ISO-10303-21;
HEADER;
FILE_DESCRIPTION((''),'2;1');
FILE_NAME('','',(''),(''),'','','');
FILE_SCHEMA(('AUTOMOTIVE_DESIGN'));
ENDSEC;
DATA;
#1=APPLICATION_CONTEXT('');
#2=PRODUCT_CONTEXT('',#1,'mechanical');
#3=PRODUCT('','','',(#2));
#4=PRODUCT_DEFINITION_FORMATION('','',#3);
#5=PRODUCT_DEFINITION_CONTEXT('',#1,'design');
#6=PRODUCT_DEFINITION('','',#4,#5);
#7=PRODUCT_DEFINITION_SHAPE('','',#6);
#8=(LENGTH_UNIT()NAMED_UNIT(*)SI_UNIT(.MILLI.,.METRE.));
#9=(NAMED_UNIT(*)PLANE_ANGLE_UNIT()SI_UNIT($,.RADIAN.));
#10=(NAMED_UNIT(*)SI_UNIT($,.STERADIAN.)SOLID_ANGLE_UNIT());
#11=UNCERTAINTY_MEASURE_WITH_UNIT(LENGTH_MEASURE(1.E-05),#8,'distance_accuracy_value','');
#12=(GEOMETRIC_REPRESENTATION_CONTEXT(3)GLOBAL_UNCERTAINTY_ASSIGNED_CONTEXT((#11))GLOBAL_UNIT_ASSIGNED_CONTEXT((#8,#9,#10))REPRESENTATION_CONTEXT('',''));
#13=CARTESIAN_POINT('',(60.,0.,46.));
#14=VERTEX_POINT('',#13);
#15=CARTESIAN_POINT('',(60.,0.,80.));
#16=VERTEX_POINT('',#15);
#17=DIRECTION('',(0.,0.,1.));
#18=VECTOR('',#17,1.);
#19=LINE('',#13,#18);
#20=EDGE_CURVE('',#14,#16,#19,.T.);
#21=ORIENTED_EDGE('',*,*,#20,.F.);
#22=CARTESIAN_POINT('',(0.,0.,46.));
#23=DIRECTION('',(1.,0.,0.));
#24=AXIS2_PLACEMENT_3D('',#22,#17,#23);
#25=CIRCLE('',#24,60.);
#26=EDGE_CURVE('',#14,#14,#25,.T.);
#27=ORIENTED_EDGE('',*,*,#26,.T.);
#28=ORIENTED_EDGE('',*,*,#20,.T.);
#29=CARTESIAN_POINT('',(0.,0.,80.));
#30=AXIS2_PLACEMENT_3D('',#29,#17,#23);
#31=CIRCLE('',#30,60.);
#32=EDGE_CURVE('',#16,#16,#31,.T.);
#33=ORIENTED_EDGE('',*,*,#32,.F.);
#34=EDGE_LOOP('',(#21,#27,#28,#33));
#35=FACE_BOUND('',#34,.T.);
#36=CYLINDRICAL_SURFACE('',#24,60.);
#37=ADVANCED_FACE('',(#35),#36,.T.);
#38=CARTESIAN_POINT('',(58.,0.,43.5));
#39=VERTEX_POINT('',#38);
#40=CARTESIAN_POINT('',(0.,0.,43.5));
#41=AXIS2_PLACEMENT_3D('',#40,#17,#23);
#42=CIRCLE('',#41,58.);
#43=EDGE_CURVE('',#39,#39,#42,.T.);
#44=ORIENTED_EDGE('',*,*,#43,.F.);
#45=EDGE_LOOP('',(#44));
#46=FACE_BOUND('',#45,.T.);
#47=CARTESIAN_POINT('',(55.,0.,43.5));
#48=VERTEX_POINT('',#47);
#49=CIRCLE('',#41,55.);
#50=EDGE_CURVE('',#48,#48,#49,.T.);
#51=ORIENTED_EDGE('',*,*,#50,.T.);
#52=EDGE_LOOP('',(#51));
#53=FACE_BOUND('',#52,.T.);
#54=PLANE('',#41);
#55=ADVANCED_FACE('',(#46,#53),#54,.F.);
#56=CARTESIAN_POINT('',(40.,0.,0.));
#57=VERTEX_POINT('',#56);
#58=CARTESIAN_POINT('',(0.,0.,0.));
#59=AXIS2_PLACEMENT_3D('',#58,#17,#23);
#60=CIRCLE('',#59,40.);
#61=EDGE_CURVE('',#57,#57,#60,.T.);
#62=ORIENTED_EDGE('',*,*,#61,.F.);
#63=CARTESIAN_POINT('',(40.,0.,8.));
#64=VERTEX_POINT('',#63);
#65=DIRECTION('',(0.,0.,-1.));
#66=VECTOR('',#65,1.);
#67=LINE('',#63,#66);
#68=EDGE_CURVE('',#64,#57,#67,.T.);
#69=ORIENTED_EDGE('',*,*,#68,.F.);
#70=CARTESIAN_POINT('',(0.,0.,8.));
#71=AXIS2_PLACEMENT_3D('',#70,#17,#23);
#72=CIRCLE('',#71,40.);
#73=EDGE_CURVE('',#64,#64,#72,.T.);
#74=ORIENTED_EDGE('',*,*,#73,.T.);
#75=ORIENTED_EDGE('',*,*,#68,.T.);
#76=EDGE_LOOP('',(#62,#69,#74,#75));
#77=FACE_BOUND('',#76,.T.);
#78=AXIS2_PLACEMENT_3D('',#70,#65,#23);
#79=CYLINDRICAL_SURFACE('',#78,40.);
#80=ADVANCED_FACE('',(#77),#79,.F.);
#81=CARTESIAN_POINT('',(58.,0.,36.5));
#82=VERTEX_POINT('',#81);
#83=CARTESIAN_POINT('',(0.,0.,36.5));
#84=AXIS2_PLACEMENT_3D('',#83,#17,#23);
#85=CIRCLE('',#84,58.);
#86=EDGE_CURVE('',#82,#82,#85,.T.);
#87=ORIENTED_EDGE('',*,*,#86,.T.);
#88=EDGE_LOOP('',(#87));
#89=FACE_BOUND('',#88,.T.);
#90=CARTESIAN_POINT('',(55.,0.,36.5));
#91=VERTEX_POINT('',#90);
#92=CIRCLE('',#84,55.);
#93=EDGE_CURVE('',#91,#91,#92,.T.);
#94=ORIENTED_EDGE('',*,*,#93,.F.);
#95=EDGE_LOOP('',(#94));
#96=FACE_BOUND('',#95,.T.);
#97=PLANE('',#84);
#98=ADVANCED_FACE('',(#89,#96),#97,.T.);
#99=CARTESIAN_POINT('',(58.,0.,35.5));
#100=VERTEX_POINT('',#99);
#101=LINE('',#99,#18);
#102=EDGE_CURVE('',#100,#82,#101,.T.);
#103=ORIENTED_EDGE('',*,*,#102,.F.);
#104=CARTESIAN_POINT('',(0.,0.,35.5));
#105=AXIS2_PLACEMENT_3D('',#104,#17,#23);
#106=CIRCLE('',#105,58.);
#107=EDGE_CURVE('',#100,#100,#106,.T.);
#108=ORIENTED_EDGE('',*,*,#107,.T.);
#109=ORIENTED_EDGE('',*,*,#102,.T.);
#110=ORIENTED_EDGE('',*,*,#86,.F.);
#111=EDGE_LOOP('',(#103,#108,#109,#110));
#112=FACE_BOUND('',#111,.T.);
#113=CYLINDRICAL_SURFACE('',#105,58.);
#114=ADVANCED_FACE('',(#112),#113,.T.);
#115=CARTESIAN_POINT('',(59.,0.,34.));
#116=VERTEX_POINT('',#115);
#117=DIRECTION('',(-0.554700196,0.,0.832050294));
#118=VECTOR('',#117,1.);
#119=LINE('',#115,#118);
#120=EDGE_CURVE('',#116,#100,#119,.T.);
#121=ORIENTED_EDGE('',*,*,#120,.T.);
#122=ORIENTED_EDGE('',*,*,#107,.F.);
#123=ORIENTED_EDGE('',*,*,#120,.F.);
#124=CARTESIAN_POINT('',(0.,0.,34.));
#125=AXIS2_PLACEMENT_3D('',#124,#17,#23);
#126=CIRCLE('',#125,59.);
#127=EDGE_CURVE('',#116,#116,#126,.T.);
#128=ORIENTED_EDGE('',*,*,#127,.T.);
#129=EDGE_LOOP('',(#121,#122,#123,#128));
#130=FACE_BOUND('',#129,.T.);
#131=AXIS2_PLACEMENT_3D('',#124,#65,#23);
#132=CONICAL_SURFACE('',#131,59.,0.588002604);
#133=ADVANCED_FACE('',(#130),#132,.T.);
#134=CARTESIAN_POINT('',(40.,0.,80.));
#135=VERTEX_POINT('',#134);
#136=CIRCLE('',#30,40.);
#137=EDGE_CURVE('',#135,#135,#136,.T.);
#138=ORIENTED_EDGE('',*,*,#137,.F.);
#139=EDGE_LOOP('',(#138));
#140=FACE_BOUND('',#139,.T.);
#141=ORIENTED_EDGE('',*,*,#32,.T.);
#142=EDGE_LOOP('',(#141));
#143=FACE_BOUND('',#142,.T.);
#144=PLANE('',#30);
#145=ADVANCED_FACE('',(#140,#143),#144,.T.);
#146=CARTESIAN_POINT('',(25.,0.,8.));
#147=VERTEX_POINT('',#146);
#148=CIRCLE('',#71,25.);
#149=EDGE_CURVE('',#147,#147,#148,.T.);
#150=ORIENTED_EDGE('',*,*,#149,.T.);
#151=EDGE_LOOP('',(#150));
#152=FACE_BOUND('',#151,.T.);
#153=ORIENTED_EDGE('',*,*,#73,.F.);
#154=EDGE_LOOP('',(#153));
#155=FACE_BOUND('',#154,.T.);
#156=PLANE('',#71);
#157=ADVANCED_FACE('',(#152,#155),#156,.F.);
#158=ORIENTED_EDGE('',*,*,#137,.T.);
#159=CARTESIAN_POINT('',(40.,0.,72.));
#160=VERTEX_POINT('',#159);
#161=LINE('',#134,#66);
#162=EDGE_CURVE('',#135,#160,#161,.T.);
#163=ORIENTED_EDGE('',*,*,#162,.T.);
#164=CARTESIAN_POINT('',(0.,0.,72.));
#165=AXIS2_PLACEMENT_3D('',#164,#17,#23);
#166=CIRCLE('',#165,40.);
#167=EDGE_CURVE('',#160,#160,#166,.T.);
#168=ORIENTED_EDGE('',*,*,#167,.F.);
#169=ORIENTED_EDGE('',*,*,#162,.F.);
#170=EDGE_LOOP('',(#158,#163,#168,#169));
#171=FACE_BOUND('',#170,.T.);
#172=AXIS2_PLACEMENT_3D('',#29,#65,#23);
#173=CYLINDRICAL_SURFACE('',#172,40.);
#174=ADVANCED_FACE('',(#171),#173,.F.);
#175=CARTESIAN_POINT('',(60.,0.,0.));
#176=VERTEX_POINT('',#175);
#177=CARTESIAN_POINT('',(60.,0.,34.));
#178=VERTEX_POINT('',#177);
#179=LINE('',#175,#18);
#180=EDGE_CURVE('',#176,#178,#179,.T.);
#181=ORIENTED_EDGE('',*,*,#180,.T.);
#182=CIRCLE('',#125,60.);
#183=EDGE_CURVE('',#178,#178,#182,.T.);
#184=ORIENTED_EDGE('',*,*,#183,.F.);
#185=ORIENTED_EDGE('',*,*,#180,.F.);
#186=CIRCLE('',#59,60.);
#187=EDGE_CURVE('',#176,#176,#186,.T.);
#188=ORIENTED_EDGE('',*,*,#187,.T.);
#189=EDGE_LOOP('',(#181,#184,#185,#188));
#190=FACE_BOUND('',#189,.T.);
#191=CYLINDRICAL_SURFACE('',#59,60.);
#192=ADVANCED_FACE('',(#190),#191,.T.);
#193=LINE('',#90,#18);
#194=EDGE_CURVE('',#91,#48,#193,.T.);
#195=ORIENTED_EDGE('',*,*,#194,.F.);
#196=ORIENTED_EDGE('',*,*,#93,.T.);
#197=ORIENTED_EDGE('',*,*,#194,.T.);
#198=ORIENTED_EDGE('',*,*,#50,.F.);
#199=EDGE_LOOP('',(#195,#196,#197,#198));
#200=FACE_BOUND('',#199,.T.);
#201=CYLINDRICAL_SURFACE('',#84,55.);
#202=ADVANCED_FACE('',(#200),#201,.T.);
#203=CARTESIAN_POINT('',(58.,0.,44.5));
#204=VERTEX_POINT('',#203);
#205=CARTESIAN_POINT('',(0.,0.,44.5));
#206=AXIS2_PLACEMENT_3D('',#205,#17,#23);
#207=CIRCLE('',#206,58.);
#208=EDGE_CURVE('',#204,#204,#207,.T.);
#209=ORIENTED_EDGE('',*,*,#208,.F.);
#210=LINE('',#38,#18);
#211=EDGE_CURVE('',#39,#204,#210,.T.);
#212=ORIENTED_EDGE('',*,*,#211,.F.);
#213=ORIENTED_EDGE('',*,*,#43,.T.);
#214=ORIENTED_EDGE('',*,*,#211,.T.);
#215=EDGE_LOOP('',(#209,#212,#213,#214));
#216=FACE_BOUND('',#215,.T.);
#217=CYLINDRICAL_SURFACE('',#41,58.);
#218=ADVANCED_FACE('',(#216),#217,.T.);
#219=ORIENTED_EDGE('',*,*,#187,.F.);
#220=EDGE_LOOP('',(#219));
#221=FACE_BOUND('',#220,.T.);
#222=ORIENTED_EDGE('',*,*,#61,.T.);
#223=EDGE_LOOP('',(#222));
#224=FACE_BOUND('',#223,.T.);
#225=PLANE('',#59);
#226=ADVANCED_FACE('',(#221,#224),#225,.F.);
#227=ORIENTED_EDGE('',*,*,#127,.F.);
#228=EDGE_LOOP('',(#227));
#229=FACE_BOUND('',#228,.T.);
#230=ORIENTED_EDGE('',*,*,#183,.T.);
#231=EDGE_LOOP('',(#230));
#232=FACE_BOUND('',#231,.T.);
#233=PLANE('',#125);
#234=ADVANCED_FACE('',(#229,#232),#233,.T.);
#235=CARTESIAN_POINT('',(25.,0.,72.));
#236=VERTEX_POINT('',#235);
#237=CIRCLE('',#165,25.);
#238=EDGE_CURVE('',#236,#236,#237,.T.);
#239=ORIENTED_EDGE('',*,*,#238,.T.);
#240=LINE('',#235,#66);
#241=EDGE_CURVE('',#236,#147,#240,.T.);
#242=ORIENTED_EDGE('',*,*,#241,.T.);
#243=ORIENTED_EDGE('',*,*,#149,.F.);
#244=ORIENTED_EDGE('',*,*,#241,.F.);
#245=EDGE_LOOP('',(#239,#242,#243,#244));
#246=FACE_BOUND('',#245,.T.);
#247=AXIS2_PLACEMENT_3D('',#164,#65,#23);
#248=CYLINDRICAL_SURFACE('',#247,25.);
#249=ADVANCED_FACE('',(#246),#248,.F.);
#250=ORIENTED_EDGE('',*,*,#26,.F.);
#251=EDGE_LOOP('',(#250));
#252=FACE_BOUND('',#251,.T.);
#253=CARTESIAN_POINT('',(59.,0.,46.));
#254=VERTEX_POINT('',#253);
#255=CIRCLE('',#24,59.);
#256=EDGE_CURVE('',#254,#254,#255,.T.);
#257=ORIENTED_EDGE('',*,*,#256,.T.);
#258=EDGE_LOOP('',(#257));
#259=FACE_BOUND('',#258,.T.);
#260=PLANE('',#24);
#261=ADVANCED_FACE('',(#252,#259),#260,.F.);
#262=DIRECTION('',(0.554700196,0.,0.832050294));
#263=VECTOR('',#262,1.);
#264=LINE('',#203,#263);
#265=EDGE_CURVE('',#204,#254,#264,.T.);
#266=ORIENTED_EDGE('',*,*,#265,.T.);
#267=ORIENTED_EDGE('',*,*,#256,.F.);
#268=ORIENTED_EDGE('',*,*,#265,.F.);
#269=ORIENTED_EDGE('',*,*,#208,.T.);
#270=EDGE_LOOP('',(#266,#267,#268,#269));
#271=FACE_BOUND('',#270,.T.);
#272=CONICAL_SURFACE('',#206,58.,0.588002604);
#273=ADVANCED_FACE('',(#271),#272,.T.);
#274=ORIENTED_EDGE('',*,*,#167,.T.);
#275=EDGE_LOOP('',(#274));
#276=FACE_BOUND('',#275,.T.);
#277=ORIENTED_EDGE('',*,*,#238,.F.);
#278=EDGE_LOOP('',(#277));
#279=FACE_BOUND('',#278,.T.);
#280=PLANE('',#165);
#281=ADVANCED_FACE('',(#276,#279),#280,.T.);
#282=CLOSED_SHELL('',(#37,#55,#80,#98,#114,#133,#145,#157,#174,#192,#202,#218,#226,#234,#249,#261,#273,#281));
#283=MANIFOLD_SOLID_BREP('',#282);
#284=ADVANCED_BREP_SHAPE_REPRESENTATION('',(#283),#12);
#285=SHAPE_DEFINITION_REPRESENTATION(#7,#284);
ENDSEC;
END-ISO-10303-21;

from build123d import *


with BuildPart() as f1:
    # F0 (on Front) → F1 (revolve)
    with BuildSketch(Plane.XZ):
        Polygon((60, 80), (40, 80), (40, 72), (25, 72), (25, 8), (40, 8), (40, 0), (60, 0), (60, 34), (59, 34), (58, 35.5), (58, 36.5), (55, 36.5), (55, 43.5), (58, 43.5), (58, 44.5), (59, 46), (60, 46), align=None)
    revolve(axis=Axis((0, 0, 40), (0, 0, 1)))


solid = f1.part
